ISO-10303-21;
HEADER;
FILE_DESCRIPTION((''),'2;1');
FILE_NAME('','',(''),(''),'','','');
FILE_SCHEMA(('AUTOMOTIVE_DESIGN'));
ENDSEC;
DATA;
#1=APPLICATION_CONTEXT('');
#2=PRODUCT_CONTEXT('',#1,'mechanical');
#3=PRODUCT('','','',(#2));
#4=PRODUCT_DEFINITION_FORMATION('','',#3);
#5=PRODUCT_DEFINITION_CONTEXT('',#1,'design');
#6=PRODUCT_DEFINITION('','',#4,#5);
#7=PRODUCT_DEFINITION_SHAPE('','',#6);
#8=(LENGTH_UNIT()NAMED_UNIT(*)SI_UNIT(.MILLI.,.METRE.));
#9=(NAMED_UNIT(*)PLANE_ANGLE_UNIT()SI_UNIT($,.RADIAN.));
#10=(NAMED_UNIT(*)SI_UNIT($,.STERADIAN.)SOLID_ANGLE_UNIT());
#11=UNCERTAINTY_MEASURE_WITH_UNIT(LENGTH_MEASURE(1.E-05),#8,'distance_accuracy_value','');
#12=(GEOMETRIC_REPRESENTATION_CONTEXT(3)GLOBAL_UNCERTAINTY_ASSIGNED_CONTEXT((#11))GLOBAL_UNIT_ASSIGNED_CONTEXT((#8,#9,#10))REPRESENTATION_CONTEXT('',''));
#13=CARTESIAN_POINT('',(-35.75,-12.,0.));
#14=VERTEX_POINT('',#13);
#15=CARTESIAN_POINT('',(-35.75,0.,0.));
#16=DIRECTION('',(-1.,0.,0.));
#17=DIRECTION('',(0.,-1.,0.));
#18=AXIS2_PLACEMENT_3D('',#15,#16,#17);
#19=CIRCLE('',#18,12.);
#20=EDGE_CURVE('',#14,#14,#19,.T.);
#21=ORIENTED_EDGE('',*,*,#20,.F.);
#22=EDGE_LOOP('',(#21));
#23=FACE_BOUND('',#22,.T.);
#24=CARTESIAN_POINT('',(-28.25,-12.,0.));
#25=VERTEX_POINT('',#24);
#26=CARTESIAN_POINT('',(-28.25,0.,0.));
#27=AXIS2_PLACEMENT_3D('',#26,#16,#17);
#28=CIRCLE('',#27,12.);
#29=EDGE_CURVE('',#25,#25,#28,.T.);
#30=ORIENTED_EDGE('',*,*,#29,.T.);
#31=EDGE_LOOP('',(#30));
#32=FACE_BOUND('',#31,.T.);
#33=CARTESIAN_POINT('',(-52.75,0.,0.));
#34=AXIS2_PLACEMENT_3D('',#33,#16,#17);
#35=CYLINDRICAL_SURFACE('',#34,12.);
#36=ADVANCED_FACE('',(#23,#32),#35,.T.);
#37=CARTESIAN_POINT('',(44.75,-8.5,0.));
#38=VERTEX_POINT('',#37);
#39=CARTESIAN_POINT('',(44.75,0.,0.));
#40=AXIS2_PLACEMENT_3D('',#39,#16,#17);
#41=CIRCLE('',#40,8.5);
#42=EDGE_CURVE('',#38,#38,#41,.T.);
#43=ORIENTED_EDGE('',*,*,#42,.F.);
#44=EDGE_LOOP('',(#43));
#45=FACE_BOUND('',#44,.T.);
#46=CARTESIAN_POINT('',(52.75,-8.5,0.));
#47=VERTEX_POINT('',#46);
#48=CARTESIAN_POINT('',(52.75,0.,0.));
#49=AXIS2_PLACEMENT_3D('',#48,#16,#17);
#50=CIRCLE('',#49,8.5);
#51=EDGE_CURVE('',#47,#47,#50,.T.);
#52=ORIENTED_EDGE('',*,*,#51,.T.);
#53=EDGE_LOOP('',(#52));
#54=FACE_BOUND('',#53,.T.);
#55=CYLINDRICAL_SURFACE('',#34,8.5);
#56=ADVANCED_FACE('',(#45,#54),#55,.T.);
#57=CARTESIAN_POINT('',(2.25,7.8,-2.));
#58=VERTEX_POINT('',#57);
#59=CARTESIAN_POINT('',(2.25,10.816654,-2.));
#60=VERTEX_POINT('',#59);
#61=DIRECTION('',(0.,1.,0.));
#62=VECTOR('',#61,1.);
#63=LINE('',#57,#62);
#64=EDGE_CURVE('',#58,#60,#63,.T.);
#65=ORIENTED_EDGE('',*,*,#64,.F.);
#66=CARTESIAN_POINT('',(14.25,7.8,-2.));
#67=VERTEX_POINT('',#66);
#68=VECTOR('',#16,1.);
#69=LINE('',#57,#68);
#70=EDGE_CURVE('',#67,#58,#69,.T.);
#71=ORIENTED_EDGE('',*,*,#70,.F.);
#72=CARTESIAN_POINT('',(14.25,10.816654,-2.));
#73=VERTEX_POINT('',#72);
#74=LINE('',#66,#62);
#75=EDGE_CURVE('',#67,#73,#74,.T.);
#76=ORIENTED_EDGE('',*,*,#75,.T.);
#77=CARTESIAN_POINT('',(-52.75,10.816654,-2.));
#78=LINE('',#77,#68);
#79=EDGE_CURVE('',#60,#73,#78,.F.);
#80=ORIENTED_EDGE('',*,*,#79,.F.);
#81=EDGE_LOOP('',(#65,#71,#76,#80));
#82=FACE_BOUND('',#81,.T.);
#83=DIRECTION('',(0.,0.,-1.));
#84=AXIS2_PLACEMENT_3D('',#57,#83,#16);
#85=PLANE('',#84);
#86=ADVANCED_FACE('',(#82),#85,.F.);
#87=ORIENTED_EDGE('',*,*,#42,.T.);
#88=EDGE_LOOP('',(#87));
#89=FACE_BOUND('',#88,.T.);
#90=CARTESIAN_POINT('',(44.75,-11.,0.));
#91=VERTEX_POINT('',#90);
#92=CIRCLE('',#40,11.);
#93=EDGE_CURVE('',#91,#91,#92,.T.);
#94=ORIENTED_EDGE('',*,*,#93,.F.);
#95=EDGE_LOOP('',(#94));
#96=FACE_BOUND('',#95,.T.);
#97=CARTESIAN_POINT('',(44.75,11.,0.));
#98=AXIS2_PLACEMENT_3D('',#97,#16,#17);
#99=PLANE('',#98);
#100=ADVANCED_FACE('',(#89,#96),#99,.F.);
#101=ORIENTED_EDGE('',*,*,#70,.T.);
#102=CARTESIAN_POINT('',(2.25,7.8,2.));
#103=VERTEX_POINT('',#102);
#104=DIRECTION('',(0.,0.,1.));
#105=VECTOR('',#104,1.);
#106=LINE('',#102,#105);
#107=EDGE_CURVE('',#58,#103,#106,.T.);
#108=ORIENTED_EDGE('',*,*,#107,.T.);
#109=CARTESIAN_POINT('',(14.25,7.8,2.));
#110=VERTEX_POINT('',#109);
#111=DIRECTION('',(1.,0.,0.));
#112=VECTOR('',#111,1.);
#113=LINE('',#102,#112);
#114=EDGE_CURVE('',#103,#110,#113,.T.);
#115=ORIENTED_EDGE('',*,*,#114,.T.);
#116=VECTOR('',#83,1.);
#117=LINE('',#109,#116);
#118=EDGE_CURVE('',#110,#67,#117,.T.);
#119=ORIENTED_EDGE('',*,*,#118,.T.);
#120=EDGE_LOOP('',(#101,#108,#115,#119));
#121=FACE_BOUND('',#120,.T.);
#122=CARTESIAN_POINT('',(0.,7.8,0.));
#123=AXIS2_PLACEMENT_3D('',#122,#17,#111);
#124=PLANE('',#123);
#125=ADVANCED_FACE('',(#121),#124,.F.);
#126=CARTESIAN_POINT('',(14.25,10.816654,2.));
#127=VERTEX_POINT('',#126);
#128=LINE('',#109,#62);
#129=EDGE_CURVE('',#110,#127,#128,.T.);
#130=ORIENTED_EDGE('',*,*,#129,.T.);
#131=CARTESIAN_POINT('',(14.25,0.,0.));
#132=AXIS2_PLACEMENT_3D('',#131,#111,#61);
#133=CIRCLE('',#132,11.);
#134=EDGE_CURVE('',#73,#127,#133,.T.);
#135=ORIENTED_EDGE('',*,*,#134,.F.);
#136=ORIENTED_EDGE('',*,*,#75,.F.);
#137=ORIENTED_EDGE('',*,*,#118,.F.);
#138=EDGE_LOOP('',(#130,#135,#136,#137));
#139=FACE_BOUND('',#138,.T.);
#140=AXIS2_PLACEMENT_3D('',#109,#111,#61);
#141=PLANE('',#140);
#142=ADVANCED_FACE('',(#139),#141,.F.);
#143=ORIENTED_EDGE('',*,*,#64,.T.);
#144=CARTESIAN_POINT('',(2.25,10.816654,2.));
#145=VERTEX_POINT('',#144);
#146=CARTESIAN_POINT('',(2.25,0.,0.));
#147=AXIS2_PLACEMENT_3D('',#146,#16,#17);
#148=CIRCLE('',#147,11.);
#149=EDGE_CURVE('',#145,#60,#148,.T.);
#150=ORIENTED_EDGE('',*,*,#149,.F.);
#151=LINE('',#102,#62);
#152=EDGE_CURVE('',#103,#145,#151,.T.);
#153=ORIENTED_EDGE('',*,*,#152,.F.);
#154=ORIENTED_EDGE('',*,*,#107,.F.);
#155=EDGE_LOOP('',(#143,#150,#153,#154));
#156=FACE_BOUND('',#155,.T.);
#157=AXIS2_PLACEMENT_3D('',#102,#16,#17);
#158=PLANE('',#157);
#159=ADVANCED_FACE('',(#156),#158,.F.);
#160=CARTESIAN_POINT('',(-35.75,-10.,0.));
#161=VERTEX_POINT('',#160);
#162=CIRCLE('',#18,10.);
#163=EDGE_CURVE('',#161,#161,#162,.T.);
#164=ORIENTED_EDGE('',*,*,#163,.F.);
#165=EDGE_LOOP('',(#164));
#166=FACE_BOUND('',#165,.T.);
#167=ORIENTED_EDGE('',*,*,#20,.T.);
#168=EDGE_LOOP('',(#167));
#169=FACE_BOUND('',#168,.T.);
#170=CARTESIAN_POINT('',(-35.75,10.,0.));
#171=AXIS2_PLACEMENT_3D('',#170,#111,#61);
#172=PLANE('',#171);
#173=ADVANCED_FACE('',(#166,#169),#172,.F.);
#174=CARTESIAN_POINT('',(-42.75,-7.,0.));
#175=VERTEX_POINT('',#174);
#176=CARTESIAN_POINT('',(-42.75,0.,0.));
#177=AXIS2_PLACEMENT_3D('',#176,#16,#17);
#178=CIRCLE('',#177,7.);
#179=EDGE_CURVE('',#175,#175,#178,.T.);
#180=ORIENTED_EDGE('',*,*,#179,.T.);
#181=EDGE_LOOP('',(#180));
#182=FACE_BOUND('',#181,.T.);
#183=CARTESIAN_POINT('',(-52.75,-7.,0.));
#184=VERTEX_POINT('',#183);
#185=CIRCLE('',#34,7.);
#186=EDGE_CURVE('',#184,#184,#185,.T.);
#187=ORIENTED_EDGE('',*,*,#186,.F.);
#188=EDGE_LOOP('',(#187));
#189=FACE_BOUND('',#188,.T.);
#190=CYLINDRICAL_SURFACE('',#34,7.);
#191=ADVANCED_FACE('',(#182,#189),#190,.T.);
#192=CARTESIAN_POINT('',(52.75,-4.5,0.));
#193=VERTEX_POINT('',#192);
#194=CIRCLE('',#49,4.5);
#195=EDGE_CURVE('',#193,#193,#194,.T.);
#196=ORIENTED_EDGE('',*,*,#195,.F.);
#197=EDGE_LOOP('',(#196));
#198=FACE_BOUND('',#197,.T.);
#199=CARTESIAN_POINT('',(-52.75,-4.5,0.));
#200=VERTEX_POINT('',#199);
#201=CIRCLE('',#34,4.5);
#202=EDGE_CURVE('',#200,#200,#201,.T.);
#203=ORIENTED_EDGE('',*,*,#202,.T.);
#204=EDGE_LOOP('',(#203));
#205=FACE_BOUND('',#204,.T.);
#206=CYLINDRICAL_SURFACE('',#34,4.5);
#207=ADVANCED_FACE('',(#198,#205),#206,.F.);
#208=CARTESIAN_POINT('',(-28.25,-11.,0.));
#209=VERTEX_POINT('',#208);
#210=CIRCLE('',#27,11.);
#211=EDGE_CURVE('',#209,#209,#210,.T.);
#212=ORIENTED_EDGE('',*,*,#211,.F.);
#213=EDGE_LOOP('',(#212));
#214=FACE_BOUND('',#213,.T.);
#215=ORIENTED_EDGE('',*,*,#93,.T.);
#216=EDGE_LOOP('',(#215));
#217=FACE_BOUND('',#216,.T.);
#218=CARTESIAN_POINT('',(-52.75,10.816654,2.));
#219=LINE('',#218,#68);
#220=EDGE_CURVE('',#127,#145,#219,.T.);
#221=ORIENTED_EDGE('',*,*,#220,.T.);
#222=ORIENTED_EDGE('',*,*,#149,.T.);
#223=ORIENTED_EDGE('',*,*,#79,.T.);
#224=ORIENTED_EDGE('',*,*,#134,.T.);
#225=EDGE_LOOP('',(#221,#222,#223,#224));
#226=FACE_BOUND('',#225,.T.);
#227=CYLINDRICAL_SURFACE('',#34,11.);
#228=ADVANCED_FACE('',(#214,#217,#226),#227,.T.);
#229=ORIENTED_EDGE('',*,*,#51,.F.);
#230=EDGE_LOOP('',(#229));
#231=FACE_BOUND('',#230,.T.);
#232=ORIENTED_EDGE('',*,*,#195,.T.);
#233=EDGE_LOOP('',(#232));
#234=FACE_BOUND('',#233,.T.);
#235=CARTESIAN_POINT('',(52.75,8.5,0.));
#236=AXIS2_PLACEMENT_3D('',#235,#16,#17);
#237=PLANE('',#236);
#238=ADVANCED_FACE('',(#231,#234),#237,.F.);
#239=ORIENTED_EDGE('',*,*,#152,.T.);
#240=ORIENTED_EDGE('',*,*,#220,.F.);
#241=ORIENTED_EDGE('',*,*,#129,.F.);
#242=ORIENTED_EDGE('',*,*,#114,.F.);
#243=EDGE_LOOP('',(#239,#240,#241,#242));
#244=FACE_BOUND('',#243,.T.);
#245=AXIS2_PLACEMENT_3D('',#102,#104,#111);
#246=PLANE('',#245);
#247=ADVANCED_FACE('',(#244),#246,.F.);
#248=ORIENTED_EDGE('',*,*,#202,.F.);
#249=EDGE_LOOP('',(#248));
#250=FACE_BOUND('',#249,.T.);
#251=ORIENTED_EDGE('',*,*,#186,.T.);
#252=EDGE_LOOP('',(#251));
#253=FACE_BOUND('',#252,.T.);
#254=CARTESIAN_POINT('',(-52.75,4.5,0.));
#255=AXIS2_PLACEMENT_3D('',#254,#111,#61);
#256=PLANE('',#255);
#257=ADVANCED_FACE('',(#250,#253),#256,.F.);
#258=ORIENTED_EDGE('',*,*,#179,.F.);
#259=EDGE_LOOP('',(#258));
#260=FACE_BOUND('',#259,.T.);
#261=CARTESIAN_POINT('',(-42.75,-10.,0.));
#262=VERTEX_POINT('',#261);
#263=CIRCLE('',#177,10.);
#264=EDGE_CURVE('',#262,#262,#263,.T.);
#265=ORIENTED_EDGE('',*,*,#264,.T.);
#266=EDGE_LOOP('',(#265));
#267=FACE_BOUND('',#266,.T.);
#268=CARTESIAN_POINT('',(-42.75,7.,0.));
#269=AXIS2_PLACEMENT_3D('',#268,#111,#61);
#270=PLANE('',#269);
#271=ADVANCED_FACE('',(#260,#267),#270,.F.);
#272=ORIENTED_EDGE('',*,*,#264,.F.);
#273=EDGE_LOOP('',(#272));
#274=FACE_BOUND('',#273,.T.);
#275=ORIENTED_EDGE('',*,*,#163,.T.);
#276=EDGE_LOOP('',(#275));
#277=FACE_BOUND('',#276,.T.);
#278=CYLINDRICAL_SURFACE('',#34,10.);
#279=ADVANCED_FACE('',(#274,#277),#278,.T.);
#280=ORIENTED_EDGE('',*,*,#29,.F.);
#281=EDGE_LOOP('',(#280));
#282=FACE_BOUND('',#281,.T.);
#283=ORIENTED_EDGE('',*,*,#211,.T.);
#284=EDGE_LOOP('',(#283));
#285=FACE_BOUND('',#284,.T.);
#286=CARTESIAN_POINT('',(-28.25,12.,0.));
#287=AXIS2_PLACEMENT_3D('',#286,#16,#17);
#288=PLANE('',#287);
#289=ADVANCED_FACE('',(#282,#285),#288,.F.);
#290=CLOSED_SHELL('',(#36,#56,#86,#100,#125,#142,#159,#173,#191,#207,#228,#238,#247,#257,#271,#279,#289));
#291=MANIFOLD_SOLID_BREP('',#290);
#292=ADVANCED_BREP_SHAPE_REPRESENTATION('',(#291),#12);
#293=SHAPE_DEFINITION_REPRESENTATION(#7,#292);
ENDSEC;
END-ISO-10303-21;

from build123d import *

# Parameters (mm, degrees)
SKETCH7_W          = 12
SKETCH7_H          = 4
CUT_EXTRUDE4_DEPTH = 3.2


with BuildPart() as part:
    # Sketch6 → Revolve2 (revolve)
    with BuildSketch(Plane.XY, mode=Mode.PRIVATE) as revolve2_sk:
        Polygon((-52.75, 4.5), (-52.75, 7), (-42.75, 7), (-42.75, 10), (-35.75, 10), (-35.75, 12), (-28.25, 12), (-28.25, 11), (44.75, 11), (44.75, 8.5), (52.75, 8.5), (52.75, 4.5), align=None)
    revolve(revolve2_sk.sketch.rotate(Axis((-52.75, 0, 0), (1, 0, 0)), 180), axis=Axis((-52.75, 0, 0), (1, 0, 0)))

    # Sketch7 → Cut-Extrude4 (cut)
    with BuildSketch(Plane(origin=(0, 11, 0), x_dir=(1, 0, 0), z_dir=(0, 1, 0))):
        with Locations((8.25, 0)):
            Rectangle(SKETCH7_W, SKETCH7_H)
    extrude(amount=-CUT_EXTRUDE4_DEPTH, mode=Mode.SUBTRACT)


solid = part.part
